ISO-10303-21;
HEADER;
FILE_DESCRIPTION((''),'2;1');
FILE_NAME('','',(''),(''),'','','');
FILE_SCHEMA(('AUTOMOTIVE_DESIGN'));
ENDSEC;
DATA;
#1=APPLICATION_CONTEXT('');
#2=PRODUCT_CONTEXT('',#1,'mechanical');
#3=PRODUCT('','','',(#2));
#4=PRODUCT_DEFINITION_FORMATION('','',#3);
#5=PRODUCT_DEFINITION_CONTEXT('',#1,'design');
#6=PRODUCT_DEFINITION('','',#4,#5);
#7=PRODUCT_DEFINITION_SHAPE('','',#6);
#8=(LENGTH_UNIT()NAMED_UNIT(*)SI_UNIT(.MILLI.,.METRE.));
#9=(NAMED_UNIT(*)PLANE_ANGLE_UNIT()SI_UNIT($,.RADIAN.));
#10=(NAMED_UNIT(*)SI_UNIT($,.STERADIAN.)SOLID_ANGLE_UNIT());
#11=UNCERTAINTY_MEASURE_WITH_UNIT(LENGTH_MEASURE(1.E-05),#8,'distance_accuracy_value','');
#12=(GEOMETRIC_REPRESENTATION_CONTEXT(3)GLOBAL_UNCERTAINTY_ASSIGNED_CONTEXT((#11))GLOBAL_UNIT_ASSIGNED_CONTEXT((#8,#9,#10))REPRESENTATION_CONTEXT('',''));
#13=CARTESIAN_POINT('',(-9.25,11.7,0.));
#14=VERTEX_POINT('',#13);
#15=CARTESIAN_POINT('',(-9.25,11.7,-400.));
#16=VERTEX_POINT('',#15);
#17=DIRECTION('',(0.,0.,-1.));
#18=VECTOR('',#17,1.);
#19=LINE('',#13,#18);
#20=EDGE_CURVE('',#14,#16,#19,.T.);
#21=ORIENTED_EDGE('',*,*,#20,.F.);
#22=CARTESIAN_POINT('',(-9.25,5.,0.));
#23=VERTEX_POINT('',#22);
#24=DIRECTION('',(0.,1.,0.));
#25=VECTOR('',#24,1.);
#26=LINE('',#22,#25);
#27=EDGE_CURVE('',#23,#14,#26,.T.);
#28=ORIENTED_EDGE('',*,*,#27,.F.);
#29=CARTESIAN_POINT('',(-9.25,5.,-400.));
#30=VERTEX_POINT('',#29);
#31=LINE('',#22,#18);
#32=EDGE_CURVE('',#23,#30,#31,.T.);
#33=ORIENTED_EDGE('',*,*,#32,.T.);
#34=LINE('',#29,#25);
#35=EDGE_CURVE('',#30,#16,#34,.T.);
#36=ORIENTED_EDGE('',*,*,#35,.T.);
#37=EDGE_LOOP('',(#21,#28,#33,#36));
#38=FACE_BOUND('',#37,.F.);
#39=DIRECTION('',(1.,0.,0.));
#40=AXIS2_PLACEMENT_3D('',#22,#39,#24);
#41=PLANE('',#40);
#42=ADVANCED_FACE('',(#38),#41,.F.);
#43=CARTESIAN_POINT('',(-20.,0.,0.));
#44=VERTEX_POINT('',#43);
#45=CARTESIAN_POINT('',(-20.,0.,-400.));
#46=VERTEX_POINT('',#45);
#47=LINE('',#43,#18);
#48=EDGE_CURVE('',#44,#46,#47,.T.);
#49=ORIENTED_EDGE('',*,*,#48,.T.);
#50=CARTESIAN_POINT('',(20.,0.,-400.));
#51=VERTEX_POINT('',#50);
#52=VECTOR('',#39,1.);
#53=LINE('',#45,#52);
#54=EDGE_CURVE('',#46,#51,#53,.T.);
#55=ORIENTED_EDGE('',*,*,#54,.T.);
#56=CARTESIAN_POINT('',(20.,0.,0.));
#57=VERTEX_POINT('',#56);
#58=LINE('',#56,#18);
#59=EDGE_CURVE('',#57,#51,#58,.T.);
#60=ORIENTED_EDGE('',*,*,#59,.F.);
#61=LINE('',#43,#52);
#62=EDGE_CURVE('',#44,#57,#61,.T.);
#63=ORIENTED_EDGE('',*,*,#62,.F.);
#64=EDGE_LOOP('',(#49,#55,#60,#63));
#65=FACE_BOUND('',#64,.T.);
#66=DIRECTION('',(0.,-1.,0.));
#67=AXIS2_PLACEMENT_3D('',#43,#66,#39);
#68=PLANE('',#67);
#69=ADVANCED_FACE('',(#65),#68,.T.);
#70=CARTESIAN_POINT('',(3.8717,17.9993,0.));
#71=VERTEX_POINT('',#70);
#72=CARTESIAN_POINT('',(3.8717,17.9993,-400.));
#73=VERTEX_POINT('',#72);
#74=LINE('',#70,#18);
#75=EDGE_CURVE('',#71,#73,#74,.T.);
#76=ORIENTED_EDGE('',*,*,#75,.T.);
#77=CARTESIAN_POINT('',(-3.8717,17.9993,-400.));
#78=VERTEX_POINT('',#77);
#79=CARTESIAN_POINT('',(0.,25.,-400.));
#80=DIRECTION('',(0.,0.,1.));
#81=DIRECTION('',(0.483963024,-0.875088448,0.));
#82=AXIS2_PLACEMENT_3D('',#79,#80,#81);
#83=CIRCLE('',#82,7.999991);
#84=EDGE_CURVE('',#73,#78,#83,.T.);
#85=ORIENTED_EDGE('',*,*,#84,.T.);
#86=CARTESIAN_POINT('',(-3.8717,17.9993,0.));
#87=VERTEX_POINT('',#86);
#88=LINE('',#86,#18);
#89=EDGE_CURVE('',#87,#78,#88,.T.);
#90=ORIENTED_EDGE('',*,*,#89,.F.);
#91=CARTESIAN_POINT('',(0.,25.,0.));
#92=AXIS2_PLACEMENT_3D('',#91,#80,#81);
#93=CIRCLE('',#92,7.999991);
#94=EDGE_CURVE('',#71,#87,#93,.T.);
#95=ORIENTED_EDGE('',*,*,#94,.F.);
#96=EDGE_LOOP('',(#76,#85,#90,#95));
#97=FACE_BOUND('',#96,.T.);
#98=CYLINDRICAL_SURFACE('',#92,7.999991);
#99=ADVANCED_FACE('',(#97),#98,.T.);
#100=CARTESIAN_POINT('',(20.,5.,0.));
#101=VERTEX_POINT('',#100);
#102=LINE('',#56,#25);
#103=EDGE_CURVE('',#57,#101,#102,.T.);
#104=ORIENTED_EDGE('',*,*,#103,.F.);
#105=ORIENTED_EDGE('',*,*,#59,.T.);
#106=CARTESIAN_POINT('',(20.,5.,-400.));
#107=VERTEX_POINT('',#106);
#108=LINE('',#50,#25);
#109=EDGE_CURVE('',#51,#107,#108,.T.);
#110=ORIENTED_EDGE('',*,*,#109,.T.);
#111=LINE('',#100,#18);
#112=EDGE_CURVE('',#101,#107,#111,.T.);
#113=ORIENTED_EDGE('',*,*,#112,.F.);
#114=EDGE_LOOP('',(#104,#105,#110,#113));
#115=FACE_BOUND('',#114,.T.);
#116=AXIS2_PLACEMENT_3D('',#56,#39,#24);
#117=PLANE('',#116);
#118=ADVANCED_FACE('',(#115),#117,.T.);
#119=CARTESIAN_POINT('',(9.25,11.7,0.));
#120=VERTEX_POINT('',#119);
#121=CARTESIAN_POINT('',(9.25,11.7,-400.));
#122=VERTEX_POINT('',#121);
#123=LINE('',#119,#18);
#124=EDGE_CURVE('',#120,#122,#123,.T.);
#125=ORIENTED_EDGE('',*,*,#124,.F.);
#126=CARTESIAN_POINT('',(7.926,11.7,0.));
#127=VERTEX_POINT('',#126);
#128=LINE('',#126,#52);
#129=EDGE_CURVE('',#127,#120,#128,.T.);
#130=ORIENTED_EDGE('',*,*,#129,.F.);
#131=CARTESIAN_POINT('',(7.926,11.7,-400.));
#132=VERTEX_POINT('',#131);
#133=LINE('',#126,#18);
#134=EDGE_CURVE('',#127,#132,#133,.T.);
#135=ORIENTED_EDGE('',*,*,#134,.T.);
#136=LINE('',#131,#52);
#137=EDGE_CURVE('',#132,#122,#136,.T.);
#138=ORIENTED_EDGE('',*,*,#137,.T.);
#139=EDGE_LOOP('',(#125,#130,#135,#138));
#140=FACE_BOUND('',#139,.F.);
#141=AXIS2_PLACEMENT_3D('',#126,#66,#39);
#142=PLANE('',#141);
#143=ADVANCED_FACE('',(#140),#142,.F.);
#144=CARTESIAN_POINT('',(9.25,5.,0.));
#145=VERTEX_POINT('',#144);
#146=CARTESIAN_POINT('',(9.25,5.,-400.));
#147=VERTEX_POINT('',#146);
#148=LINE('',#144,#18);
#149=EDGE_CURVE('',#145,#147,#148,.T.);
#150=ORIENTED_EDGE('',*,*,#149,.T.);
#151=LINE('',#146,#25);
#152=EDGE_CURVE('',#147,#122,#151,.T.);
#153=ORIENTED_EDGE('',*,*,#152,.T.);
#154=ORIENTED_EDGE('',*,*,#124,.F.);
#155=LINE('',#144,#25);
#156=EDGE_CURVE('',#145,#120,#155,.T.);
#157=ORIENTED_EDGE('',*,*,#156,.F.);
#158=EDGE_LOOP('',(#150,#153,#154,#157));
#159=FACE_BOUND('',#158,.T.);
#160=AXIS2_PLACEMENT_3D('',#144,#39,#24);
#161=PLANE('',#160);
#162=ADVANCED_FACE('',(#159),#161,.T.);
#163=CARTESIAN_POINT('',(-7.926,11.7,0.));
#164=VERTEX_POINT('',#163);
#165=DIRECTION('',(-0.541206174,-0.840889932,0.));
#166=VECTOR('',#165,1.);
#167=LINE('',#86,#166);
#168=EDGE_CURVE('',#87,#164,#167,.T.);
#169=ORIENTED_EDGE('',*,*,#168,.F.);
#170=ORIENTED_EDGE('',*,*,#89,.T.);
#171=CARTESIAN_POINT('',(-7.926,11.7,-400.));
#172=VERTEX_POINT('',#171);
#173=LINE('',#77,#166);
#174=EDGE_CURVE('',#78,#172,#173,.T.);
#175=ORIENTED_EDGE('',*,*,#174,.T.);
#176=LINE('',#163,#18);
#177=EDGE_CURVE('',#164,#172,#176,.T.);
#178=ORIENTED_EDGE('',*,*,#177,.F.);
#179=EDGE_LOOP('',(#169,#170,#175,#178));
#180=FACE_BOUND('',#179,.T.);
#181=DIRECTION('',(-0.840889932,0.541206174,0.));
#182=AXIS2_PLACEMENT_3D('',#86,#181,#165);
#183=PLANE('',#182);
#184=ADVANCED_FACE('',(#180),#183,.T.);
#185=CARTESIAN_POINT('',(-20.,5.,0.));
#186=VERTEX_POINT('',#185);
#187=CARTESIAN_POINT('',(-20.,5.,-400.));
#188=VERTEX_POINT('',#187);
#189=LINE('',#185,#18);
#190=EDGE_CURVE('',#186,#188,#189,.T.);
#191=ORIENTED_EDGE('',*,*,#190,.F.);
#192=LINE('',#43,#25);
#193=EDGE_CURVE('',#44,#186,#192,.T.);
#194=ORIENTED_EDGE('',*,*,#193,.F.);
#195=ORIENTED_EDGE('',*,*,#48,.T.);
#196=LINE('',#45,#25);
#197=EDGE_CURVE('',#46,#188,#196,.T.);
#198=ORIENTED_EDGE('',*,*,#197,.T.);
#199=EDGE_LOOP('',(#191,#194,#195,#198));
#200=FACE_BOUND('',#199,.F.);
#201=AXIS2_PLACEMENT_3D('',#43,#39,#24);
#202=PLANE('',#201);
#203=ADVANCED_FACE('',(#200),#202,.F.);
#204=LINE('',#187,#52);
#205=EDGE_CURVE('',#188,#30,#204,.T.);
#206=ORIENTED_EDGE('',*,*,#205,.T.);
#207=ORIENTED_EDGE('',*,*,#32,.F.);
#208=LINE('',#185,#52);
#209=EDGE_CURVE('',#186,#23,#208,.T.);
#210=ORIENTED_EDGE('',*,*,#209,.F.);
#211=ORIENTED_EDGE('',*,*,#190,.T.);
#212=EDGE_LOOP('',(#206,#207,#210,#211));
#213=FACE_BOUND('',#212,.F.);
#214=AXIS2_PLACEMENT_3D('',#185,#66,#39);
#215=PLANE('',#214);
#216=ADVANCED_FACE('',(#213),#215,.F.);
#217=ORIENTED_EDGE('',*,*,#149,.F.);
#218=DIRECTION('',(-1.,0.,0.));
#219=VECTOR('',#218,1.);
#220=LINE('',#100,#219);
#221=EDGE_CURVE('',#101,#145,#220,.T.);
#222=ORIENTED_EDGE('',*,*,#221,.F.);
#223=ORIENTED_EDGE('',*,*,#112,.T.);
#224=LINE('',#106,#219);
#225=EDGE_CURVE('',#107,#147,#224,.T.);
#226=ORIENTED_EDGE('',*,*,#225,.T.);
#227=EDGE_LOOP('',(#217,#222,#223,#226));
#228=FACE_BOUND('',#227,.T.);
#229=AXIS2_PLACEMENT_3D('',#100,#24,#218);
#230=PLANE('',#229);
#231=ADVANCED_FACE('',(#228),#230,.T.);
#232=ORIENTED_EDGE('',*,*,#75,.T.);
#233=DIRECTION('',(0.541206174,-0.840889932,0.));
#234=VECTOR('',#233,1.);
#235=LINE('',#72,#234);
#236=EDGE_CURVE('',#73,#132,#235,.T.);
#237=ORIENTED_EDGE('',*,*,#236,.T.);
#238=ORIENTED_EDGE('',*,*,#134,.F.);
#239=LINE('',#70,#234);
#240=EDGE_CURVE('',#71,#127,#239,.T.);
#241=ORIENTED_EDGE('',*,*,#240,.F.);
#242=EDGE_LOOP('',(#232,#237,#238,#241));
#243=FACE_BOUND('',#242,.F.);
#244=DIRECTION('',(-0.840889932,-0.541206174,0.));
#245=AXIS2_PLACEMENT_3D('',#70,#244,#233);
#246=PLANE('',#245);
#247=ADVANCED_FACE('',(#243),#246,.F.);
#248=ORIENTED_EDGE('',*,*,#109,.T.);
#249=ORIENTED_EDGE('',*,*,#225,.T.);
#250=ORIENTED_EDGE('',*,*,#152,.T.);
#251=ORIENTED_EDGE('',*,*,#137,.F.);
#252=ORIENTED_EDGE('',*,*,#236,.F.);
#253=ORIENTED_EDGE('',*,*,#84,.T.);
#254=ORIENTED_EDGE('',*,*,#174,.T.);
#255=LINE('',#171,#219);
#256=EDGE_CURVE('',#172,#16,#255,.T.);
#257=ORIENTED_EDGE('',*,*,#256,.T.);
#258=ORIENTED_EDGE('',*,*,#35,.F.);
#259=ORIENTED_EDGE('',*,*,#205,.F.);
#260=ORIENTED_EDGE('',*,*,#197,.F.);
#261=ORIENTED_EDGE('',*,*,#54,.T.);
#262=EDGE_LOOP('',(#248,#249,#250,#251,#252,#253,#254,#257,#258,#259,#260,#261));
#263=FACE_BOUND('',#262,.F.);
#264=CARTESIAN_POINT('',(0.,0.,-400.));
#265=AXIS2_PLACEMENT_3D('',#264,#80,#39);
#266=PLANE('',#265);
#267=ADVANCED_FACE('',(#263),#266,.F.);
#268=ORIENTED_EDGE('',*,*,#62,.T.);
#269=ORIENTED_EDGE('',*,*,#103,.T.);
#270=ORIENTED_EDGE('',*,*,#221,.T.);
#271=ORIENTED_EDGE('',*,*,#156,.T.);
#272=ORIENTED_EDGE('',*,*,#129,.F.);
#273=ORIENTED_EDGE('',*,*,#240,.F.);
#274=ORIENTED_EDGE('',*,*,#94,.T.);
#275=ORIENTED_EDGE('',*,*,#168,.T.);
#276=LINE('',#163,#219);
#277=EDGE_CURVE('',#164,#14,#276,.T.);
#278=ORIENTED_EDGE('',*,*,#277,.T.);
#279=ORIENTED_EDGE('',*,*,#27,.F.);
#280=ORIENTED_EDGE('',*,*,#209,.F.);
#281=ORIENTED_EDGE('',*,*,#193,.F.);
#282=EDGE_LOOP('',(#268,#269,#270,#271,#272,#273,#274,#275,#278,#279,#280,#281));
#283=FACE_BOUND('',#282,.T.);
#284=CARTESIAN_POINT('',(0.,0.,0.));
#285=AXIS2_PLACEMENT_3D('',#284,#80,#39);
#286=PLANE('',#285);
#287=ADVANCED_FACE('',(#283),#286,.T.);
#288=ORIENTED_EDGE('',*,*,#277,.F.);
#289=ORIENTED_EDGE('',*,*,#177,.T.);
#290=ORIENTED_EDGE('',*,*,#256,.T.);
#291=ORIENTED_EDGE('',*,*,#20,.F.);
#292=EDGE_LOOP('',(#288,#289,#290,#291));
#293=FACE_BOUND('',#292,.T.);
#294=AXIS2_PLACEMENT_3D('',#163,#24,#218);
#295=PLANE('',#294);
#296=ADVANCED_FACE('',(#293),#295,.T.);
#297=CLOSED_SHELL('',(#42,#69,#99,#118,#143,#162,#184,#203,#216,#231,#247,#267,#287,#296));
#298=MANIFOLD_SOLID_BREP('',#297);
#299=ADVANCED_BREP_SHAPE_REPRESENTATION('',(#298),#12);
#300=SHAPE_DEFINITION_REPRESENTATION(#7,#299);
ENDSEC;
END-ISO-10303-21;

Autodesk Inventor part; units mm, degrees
ref_plane "YZ Plane" through (0, 0, 0) normal (1, 0, 0) x (0, 1, 0)
ref_plane "XZ Plane" through (0, 0, 0) normal (0, 1, 0) x (-1, 0, 0)
ref_plane "XY Plane" through (0, 0, 0) normal (0, 0, 1) x (1, 0, 0)
sketch "Sketch1" plane through (0, 0, 0) normal (0, 0, 1) x (1, 0, 0)
  line L0 (-20, 0) -> (20, 0)
  line L1 (-20, 0) -> (-20, 5)
  line L2 (20, 0) -> (20, 5)
  line L3 (-20, 5) -> (-9.25, 5)
  line L4 (20, 5) -> (9.25, 5)
  line L5 (-9.25, 5) -> (-9.25, 11.7)
  line L6 (9.25, 5) -> (9.25, 11.7)
  line L7 (-9.25, 5) -> (9.25, 5) construction
  line L8 (-9.25, 5) -> (-4.2961, 5) construction
  line L9 (9.25, 5) -> (3.3755, 5) construction
  arc A0 (4.1601, 14.485) -> (5.7961, 15.0092) centre (4, 17.8) ccw construction
  line L10 (7.926, 11.7) -> (9.25, 11.7)
  line L11 (-7.926, 11.7) -> (-9.25, 11.7)
  arc A1 (3.8717, 17.9993) -> (-3.8717, 17.9993) centre (0, 25) ccw
  line L12 (-3.8717, 17.9993) -> (-7.926, 11.7)
  line L13 (3.8717, 17.9993) -> (7.926, 11.7)
  point P0 (0, 0)
  point P1 (0, 0)
  point P2 (0, 17.8)
  point P3 (0, 5)
  point P4 (-4, 17.8)
  dimension "d0" = 40
  dimension "d1" = 5
  dimension "d2" = 5
  dimension "d3" = 10.75
  dimension "d4" = 10.75
  dimension "d5" = 6.7
  dimension "d6" = 6.7
  dimension "d15" = 25
  dimension "d16" = 18.5
  dimension "d18" = 8
extrude "Extrusion1" add sketch "Sketch1" against normal blind 400
equation "\"d1\" = d2"
equation "\"d3\" = d4"
equation "\"d5\" = d6"
properties part number "sbr16_400mm"
